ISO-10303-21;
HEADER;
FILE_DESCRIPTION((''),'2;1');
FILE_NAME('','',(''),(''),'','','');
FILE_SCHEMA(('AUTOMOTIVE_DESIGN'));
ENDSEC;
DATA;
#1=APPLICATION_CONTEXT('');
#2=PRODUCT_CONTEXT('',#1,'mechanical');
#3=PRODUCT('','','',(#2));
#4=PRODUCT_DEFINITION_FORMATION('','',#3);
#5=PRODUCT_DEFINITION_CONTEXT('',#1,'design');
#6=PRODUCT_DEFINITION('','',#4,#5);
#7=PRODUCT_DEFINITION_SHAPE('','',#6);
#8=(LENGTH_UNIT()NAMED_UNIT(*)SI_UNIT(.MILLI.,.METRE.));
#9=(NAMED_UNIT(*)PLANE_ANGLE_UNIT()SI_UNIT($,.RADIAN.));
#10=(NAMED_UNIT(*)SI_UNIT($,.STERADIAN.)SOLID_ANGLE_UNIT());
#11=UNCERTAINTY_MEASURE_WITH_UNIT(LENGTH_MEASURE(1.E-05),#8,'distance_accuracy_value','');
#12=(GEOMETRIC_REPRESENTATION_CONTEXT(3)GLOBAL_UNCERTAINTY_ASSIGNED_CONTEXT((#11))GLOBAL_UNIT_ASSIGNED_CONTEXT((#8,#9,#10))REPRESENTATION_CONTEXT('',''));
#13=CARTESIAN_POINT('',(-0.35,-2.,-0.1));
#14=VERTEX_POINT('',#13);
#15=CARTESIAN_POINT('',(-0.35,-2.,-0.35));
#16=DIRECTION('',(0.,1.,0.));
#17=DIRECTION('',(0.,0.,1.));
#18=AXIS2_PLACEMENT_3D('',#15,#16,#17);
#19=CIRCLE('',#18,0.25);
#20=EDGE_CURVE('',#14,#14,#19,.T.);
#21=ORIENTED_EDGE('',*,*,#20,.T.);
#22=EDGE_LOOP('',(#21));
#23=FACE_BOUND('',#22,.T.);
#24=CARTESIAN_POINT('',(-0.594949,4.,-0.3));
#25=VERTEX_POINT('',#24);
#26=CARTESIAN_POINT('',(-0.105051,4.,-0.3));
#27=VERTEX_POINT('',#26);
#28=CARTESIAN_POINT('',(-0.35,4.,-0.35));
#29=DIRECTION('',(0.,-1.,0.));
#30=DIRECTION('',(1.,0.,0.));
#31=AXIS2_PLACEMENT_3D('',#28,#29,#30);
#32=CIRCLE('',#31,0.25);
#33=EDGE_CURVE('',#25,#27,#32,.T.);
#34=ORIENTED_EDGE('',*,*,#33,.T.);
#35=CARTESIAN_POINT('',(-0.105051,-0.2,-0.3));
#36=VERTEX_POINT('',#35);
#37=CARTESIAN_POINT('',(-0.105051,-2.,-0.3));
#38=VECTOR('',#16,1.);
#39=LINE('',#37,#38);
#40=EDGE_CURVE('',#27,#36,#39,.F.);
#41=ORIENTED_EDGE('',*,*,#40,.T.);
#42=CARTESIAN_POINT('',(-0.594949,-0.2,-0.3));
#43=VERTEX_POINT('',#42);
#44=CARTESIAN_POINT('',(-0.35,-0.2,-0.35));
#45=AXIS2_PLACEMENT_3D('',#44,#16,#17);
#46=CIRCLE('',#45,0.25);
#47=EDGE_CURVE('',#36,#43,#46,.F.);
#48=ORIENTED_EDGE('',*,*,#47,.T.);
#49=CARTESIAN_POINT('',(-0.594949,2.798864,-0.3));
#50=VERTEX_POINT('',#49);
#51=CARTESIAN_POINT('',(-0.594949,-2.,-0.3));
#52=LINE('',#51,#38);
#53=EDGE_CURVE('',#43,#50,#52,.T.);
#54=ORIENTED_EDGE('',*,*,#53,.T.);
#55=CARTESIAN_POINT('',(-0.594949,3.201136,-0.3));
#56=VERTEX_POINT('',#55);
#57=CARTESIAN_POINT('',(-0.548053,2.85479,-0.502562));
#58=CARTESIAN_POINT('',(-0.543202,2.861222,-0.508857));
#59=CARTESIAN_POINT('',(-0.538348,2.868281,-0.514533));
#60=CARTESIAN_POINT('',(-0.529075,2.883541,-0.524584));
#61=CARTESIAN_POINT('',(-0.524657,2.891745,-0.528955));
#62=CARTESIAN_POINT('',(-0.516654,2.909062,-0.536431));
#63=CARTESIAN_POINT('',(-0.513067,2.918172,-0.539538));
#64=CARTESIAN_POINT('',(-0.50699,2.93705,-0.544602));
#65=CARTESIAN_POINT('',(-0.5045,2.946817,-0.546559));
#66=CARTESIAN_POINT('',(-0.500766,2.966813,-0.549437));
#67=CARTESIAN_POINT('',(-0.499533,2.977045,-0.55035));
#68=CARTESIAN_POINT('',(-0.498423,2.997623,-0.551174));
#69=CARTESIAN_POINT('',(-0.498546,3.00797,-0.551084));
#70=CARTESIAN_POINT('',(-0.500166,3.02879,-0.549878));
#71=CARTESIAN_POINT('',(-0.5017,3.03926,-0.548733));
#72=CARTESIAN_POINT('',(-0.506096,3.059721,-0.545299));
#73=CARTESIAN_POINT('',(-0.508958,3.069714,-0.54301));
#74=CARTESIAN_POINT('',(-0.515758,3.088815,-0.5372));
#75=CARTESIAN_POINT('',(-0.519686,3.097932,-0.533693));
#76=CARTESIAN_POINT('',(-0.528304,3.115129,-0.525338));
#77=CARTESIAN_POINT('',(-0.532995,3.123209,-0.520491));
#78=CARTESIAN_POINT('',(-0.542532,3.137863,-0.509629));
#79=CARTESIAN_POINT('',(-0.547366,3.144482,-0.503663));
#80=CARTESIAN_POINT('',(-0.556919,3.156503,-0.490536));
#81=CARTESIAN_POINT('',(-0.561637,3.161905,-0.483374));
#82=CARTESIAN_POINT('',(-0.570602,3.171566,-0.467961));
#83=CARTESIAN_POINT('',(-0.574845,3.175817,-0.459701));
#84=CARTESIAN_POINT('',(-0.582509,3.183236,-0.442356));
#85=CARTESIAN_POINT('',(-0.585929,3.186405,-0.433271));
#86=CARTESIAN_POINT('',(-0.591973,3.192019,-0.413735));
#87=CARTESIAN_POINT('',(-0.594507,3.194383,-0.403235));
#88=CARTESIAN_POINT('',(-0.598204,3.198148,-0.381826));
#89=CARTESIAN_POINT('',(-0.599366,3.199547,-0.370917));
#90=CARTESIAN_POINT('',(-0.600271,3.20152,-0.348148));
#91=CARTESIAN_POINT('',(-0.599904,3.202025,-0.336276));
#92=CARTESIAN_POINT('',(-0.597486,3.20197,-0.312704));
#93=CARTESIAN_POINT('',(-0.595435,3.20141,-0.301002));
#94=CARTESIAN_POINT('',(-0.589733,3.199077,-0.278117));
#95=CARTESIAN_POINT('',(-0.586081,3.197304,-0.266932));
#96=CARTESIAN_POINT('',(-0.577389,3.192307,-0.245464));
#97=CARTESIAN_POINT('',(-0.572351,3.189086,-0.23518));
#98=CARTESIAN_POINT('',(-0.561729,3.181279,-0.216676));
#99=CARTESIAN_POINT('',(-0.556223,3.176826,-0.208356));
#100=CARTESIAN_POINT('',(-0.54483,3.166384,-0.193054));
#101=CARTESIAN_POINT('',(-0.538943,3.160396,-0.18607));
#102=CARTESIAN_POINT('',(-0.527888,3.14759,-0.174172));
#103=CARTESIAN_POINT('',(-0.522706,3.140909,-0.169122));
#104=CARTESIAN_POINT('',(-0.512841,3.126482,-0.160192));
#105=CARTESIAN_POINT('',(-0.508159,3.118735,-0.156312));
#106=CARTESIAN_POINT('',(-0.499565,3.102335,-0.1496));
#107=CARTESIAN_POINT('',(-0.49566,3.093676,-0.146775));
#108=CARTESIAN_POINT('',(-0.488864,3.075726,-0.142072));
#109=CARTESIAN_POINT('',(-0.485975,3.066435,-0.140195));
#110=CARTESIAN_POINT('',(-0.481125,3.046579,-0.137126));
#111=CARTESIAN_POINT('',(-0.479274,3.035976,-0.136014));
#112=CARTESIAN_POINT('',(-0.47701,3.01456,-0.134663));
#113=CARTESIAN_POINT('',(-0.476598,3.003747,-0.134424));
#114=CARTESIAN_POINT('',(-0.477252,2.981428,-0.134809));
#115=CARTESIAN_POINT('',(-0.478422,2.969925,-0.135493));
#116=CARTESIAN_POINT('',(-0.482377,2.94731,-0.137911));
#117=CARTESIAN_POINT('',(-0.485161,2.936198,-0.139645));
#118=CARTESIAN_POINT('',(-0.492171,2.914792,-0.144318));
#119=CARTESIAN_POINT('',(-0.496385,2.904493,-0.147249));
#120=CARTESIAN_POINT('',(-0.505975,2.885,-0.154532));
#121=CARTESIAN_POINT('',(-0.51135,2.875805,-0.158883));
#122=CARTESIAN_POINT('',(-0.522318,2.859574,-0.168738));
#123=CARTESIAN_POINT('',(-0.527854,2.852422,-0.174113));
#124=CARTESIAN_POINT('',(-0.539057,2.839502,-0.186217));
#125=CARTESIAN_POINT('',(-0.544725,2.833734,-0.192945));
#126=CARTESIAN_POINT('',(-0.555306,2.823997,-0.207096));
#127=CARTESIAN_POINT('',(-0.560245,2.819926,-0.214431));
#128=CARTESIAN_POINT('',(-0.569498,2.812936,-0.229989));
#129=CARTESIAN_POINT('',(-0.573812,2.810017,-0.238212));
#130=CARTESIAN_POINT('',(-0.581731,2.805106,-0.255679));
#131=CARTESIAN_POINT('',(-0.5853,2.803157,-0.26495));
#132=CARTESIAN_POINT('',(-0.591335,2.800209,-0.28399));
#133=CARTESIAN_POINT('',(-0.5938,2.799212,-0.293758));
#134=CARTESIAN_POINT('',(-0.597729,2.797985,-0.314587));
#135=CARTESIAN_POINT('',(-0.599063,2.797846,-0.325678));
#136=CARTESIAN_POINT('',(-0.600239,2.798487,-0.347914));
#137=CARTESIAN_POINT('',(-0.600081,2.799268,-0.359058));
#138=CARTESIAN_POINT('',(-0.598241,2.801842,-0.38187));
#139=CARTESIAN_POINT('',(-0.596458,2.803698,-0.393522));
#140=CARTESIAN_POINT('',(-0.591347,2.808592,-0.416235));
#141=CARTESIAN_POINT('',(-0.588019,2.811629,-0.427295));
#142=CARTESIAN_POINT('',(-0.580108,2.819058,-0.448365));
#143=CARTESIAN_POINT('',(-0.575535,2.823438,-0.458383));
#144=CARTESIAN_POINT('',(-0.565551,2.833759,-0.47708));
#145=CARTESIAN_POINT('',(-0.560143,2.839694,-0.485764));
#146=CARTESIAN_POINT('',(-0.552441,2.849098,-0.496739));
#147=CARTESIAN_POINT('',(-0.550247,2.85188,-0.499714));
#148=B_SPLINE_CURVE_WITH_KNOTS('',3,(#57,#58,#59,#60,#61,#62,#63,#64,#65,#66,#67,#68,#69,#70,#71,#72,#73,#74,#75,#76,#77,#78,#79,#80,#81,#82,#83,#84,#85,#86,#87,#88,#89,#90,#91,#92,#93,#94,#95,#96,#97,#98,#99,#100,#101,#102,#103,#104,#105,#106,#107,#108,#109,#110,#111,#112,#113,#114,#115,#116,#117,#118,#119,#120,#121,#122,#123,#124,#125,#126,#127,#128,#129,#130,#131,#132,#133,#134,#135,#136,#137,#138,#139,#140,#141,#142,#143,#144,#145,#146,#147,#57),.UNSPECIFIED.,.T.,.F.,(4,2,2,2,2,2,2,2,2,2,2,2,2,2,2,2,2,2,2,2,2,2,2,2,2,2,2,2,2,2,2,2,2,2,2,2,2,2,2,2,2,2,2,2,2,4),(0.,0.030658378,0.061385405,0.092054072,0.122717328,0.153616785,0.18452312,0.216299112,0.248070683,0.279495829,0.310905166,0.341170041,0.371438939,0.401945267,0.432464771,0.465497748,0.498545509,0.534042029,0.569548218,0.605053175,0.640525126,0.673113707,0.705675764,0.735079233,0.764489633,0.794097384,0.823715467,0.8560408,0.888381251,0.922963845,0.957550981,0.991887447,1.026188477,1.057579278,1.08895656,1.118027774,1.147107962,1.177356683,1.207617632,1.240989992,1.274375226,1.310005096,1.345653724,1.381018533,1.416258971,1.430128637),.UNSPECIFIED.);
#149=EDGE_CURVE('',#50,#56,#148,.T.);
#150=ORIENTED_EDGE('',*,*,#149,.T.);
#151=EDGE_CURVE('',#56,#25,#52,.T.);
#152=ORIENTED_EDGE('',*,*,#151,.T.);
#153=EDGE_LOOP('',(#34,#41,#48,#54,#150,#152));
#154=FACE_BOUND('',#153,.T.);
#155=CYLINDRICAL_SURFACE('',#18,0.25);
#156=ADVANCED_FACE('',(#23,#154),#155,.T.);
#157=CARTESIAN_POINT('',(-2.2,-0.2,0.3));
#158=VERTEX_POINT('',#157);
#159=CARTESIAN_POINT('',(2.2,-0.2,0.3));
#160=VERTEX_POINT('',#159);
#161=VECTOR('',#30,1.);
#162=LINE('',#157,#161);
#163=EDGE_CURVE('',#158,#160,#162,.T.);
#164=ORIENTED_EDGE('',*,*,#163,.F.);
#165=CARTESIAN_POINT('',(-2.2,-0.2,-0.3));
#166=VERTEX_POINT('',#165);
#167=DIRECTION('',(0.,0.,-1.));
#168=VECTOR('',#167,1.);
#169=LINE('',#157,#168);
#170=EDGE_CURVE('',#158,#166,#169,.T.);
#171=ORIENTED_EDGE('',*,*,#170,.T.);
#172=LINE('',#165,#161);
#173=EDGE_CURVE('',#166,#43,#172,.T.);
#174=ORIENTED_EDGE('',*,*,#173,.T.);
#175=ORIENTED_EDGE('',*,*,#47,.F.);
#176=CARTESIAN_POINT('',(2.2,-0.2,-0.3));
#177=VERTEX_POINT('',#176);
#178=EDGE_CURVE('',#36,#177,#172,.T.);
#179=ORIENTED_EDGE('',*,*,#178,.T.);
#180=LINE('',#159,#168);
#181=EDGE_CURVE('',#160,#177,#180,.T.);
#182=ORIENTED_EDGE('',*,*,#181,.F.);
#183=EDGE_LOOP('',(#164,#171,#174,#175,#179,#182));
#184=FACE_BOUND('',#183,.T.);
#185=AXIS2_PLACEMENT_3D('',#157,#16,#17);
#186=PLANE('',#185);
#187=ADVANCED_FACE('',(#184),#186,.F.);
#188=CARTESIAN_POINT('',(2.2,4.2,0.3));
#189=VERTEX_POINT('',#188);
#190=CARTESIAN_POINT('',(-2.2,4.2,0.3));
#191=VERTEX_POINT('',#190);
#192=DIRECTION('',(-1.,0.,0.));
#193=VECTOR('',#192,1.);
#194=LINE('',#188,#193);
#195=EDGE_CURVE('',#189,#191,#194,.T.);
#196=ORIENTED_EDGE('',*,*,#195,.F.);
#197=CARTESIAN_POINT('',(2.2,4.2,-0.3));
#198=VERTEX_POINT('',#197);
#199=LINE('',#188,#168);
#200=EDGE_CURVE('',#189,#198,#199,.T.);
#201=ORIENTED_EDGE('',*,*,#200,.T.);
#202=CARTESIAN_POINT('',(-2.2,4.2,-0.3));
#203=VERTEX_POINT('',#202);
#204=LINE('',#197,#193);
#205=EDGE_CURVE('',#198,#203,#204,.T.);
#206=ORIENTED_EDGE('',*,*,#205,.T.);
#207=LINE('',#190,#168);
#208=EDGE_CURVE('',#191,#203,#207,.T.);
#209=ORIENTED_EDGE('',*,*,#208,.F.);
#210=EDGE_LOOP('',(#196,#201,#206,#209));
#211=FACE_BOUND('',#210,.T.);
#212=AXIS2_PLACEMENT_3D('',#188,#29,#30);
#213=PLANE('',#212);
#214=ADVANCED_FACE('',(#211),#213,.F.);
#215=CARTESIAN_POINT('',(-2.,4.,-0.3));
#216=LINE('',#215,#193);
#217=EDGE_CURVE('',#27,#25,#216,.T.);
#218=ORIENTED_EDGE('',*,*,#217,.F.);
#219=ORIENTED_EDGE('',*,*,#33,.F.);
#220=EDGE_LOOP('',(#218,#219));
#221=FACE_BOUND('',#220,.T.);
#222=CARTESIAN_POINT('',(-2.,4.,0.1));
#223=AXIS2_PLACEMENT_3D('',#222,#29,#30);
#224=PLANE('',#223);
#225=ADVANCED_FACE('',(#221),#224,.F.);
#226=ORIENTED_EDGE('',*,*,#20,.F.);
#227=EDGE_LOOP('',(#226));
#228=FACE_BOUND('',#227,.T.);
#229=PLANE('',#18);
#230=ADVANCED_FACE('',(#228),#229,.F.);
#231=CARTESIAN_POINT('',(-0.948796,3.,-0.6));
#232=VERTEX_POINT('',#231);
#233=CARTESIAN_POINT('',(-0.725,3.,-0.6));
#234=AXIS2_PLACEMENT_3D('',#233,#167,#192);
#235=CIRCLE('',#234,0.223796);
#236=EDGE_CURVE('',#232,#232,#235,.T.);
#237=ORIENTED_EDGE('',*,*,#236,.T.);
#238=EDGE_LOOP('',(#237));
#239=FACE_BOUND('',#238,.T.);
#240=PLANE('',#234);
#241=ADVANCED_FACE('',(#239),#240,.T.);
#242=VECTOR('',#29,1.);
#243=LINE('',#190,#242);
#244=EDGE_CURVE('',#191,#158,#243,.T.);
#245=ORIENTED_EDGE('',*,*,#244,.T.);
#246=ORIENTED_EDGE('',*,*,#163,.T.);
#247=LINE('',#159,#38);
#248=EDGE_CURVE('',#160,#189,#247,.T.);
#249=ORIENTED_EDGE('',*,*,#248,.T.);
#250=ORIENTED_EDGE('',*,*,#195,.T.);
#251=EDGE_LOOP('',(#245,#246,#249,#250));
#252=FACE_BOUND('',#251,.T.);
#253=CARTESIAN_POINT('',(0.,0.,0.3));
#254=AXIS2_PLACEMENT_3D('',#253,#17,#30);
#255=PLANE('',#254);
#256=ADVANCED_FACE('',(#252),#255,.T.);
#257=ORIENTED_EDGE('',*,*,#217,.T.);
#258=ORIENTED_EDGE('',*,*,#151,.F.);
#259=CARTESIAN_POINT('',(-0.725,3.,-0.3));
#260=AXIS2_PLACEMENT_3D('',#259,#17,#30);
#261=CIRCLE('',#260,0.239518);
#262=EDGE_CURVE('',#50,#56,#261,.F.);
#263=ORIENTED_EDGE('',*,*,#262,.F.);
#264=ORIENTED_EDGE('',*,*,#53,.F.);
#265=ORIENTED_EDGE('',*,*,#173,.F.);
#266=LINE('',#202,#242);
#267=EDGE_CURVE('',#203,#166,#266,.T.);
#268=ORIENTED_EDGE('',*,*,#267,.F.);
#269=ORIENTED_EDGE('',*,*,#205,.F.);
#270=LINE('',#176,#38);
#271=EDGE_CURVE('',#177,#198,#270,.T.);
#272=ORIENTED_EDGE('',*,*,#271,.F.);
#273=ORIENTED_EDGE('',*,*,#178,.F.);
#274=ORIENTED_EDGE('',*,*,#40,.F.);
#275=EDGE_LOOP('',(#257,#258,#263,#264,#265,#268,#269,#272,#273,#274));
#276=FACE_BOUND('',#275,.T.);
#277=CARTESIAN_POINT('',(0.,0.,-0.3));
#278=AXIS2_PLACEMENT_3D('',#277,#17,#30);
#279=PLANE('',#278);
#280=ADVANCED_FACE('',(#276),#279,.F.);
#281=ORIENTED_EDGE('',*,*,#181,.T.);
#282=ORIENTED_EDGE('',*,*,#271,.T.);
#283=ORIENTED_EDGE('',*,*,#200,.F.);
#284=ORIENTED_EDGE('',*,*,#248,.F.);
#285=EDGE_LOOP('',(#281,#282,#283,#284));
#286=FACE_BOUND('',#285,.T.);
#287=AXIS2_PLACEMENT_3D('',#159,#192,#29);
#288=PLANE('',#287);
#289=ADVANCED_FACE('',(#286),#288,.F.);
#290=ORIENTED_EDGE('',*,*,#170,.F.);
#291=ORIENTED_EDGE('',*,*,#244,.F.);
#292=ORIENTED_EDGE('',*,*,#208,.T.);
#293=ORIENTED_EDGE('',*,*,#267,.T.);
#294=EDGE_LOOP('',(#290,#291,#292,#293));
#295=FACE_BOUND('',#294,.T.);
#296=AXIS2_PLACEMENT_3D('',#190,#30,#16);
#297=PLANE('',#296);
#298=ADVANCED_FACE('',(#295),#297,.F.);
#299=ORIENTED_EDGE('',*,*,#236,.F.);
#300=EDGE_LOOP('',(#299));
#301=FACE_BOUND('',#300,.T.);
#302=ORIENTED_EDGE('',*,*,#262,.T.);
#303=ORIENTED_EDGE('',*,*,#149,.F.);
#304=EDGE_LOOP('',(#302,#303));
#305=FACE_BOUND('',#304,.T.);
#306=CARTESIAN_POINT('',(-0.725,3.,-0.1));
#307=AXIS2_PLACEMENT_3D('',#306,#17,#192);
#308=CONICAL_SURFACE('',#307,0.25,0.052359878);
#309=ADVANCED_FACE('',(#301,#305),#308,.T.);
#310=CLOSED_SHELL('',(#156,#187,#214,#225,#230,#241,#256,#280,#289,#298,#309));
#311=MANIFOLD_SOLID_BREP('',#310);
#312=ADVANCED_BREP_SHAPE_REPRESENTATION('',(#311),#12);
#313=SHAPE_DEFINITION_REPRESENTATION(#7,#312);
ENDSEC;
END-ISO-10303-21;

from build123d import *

# Parameters (mm, degrees)
SKETCH1_W                = 4
SKETCH1_H                = 4
BOSS_EXTRUDE1_DEPTH      = 0.1
SKETCH2_R                = 0.25
BOSS_EXTRUDE2_DEPTH      = 4
BOSS_EXTRUDE2_DEPTH_BACK = 2
SKETCH3_R                = 0.25
BOSS_EXTRUDE3_DEPTH      = 0.5
BOSS_EXTRUDE3_TAPER      = 3
SKETCH4_W                = 4.4
SKETCH4_H                = 4.4
BOSS_EXTRUDE4_DEPTH      = 0.3


with BuildPart() as part:
    # Sketch1 → Boss-Extrude1 (new body, symmetric)
    with BuildSketch(Plane.XY):
        with Locations((0, 2)):
            Rectangle(SKETCH1_W, SKETCH1_H)
    extrude(amount=BOSS_EXTRUDE1_DEPTH, both=True)

    # Sketch3 → Boss-Extrude3 (add)
    with BuildSketch(Plane(origin=(0, 0, -0.1), x_dir=(-1, 0, 0), z_dir=(0, 0, -1))):
        with Locations((0.725, 3)):
            Circle(SKETCH3_R)
    extrude(amount=BOSS_EXTRUDE3_DEPTH, taper=BOSS_EXTRUDE3_TAPER)



with BuildPart() as body_2:
    # Sketch2 → Boss-Extrude2 (new body, two sides)
    with BuildSketch(Plane(origin=(0, 0, 0), x_dir=(1, 0, 0), z_dir=(0, 1, 0))) as boss_extrude2_sk:
        with Locations((-0.35, 0.35)):
            Circle(SKETCH2_R)
    extrude(amount=BOSS_EXTRUDE2_DEPTH)
    extrude(boss_extrude2_sk.sketch, amount=-BOSS_EXTRUDE2_DEPTH_BACK)


with BuildPart() as part_1:
    add(part.part)

    add(body_2.part)  # Boss-Extrude4 merges body 2
    # Sketch4 → Boss-Extrude4 (add, symmetric)
    with BuildSketch(Plane.XY):
        with Locations((0, 2)):
            Rectangle(SKETCH4_W, SKETCH4_H)
    extrude(amount=BOSS_EXTRUDE4_DEPTH, both=True)


solid = part_1.part
